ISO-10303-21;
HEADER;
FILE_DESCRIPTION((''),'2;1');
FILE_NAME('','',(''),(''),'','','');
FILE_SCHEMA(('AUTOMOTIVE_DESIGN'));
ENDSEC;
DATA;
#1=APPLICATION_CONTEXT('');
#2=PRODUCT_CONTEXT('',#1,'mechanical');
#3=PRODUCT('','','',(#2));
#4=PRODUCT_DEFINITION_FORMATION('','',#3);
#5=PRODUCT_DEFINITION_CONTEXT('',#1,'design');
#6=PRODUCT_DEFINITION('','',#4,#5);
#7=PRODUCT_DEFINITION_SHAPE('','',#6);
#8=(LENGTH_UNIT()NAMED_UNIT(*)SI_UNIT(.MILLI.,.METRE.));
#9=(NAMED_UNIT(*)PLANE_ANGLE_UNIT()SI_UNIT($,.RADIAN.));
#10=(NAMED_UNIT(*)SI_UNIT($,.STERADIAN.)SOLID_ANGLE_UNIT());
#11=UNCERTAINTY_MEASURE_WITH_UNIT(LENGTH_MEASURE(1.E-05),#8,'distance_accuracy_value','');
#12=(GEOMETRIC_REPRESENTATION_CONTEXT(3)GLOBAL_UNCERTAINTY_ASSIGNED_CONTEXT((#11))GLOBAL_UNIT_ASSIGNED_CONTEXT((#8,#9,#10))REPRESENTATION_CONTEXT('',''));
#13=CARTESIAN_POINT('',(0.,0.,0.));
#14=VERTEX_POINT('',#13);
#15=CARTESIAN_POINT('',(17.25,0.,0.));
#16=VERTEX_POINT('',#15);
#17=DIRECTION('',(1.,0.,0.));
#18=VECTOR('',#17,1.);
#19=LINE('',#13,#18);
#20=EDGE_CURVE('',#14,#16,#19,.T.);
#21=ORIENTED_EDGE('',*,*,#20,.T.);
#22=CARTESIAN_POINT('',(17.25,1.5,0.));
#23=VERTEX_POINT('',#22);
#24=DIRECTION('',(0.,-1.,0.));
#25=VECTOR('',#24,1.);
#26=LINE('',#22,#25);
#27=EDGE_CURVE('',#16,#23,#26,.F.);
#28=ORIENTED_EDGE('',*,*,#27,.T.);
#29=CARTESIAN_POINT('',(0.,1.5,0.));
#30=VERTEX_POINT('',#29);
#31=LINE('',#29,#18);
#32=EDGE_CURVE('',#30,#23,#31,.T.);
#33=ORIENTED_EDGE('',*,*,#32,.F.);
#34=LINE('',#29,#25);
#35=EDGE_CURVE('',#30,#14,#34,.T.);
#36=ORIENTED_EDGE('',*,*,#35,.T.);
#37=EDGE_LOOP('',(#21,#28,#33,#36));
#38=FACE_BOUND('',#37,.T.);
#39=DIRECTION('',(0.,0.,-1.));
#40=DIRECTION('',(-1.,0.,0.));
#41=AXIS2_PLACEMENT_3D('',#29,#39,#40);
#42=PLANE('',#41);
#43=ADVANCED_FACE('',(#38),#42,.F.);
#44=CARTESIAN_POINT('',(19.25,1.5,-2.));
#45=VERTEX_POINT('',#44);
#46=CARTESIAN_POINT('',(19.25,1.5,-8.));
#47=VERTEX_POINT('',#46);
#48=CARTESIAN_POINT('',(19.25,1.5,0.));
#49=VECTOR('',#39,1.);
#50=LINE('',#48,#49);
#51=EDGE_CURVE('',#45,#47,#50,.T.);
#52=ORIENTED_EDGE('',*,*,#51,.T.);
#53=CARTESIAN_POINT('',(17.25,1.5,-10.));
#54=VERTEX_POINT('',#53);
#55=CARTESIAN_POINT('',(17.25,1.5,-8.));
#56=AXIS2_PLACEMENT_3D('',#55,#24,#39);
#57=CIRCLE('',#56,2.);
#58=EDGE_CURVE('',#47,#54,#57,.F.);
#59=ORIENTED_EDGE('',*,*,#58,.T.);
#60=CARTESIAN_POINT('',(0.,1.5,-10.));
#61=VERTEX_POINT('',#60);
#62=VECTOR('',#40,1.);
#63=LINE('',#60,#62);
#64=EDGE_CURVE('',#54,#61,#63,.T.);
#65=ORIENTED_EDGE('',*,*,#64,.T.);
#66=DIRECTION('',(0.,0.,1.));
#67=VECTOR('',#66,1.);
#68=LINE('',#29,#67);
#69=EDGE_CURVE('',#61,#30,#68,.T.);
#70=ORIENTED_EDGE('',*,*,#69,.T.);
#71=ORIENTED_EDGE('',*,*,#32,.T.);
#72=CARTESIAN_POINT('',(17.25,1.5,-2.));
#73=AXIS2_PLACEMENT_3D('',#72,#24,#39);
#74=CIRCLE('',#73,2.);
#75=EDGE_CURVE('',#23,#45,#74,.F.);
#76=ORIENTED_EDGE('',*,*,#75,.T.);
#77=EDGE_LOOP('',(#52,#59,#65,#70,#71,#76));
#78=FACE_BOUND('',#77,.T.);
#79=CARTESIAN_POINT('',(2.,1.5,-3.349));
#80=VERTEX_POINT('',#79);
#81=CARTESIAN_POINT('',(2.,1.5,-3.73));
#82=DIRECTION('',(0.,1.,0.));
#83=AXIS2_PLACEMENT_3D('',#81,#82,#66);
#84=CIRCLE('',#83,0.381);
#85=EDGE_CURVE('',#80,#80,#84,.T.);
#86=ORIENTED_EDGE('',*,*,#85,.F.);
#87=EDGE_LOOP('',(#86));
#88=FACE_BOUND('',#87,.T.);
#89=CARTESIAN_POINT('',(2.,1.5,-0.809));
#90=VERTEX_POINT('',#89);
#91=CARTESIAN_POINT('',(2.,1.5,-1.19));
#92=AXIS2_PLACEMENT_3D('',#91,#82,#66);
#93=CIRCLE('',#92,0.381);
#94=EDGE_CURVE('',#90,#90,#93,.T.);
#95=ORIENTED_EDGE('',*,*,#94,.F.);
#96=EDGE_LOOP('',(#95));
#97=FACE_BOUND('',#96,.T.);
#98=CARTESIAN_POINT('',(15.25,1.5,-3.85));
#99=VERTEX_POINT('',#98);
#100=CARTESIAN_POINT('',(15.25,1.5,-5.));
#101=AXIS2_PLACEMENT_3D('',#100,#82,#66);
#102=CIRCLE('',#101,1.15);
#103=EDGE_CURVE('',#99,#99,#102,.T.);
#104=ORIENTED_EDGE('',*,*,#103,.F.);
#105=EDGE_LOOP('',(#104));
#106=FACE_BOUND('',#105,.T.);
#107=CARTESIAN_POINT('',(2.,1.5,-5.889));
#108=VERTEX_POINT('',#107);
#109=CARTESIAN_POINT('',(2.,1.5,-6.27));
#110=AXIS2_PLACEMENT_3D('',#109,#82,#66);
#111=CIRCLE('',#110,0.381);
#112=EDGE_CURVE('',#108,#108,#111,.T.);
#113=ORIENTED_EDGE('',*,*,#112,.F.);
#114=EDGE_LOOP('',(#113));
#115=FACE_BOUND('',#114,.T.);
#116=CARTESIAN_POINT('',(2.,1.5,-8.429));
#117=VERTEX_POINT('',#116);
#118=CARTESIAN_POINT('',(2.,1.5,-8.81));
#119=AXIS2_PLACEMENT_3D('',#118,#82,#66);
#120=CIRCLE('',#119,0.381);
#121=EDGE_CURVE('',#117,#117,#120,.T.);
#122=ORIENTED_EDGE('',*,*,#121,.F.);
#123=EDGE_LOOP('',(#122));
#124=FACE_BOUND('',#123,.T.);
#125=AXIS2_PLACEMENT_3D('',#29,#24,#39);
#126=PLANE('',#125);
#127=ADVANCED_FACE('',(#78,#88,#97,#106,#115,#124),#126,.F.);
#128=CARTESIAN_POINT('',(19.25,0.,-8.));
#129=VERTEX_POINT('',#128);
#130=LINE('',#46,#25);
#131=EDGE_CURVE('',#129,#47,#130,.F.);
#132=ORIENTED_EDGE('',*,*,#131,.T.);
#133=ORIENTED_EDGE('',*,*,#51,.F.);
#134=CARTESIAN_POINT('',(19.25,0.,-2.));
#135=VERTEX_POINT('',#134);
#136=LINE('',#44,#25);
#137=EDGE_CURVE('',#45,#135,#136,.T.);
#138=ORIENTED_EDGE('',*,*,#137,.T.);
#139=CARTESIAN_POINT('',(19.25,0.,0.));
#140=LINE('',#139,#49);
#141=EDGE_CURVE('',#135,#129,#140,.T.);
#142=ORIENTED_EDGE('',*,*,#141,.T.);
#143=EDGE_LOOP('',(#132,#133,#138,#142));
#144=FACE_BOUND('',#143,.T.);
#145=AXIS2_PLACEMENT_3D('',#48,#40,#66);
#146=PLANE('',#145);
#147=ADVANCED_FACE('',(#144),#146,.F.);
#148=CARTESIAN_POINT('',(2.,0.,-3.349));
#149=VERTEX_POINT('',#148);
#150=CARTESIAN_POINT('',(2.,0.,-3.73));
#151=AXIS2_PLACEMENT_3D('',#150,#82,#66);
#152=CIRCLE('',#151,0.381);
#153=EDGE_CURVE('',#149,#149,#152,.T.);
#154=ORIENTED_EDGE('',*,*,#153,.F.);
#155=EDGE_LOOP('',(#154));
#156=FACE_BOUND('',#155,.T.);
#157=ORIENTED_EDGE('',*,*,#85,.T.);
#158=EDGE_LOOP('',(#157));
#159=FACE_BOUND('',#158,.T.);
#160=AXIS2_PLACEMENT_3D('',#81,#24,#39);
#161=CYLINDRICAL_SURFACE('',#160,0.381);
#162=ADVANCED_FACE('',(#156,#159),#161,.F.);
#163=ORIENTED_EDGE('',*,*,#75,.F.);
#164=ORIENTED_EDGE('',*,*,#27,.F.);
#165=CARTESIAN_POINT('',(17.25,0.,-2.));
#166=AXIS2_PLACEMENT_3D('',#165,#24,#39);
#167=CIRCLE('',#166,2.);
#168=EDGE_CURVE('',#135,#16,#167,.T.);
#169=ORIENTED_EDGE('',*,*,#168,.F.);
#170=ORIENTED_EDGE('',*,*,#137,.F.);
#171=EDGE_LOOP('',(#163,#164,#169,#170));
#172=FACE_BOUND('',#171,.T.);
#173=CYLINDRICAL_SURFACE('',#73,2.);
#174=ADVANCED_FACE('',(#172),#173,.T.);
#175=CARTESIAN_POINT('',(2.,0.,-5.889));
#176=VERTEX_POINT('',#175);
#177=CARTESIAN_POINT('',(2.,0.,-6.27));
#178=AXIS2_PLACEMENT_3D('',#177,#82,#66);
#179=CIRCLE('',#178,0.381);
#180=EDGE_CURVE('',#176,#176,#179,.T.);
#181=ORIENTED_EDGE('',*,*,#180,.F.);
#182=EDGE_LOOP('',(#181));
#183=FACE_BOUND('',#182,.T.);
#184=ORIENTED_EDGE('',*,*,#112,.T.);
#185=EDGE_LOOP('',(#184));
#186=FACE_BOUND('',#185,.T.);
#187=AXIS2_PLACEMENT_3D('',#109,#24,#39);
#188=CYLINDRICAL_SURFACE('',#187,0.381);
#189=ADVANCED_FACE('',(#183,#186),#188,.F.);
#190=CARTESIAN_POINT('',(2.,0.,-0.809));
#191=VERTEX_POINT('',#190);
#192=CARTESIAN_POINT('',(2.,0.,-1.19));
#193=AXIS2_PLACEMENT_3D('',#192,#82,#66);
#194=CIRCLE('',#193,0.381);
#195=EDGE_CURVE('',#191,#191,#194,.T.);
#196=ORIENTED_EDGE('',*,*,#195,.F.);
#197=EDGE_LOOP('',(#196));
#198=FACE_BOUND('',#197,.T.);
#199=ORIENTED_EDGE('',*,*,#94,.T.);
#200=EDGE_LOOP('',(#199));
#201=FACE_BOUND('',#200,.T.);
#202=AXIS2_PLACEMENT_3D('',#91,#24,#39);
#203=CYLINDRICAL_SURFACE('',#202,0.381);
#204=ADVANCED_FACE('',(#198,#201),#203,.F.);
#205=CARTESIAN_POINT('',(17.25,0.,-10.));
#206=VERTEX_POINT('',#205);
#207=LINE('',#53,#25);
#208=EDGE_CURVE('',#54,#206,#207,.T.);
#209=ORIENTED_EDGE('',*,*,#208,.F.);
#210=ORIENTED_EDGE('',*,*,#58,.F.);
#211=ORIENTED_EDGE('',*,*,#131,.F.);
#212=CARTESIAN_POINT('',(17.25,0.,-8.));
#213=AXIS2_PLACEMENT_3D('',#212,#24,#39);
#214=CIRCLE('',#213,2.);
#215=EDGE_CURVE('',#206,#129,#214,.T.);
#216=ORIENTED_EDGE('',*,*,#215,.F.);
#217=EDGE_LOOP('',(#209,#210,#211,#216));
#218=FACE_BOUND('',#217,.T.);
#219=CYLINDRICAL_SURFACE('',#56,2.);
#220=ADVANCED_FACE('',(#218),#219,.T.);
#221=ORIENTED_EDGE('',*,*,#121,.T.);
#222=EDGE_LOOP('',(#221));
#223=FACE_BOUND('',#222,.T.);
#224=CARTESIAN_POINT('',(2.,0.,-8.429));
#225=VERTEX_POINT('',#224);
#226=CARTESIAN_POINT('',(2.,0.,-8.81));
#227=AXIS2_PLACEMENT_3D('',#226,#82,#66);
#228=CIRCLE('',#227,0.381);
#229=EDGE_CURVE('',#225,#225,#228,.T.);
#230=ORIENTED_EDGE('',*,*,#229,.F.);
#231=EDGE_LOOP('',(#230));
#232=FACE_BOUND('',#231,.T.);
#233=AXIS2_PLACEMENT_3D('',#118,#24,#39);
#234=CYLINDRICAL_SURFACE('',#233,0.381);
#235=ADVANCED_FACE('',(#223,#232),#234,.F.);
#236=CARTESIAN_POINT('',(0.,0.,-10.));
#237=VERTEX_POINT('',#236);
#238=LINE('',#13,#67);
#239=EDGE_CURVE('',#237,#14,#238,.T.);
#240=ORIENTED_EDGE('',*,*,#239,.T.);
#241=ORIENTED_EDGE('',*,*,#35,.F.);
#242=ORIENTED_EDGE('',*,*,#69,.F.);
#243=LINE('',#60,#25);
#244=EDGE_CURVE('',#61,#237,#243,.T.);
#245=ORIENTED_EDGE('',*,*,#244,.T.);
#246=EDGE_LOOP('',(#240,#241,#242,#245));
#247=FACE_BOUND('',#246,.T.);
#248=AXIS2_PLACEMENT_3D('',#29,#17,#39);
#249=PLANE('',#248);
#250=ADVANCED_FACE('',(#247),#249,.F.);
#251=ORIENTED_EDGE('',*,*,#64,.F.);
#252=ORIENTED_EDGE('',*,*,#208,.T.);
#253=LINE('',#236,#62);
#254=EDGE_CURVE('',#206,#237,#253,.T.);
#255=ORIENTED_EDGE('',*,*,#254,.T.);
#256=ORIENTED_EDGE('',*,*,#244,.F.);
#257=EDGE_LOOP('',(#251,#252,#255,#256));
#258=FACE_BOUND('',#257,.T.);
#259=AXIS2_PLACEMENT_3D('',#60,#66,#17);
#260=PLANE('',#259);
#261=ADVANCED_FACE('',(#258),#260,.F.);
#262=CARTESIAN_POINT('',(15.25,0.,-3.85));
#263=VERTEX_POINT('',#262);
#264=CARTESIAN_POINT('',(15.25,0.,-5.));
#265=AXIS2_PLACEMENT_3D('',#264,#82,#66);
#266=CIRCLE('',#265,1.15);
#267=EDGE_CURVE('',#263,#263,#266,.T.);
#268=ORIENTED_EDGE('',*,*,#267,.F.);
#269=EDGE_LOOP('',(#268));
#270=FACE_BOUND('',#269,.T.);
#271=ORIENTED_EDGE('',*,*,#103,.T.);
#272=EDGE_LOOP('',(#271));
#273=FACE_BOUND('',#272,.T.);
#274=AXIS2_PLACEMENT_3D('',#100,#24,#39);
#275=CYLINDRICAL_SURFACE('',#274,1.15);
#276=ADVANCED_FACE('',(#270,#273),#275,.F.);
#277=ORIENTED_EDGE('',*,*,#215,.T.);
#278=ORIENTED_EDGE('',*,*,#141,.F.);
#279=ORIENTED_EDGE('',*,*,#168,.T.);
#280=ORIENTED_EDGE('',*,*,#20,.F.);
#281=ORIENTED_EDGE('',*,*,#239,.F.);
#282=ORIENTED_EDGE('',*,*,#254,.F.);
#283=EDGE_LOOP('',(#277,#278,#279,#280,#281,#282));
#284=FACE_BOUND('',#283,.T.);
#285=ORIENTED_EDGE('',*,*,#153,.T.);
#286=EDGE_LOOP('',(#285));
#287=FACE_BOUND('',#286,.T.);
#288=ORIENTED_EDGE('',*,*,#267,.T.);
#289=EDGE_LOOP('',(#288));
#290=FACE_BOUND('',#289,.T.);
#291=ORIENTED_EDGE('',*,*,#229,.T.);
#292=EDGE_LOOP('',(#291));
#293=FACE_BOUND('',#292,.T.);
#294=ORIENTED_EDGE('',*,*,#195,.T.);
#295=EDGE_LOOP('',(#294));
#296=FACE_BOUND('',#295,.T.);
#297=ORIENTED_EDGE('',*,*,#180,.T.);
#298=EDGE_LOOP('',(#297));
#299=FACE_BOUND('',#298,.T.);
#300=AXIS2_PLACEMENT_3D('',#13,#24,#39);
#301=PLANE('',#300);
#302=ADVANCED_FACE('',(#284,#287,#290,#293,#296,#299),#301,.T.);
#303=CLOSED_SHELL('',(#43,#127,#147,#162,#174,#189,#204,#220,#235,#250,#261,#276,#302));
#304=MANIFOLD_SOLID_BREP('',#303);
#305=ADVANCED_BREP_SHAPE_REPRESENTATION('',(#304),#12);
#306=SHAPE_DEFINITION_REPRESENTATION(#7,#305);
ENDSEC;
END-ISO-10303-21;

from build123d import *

# Parameters (mm, degrees)
SKETCH1_W           = 19.25
SKETCH1_H           = 10
SKETCH1_R           = 1.15
SKETCH1_R_2         = 0.381
BOSS_EXTRUDE1_DEPTH = 1.5
FILLET2_R           = 2


with BuildPart() as part:
    # Sketch1 → Boss-Extrude1 (new body)
    with BuildSketch(Plane(origin=(0, 0, 0), x_dir=(1, 0, 0), z_dir=(0, 1, 0))):
        with Locations((9.625, 5)):
            Rectangle(SKETCH1_W, SKETCH1_H)
        with Locations(Location((15.25, 5, 0), (0, 0, 270))):
            Circle(SKETCH1_R, mode=Mode.SUBTRACT)
        with Locations(Location((2, 6.27, 0), (0, 0, 270))):
            Circle(SKETCH1_R_2, mode=Mode.SUBTRACT)
        with Locations(Location((2, 3.73, 0), (0, 0, 270))):
            Circle(SKETCH1_R_2, mode=Mode.SUBTRACT)
        with Locations(Location((2, 1.19, 0), (0, 0, 270))):
            Circle(SKETCH1_R_2, mode=Mode.SUBTRACT)
        with Locations(Location((2, 8.81, 0), (0, 0, 270))):
            Circle(SKETCH1_R_2, mode=Mode.SUBTRACT)
    extrude(amount=BOSS_EXTRUDE1_DEPTH)

    # Fillet2
    fillet2_edges = [part.edges().sort_by_distance(p)[0] for p in [
        (19.25, 0.75, -10),
        (19.25, 0.75, 0),
    ]]
    fillet(fillet2_edges, radius=FILLET2_R)


solid = part.part
